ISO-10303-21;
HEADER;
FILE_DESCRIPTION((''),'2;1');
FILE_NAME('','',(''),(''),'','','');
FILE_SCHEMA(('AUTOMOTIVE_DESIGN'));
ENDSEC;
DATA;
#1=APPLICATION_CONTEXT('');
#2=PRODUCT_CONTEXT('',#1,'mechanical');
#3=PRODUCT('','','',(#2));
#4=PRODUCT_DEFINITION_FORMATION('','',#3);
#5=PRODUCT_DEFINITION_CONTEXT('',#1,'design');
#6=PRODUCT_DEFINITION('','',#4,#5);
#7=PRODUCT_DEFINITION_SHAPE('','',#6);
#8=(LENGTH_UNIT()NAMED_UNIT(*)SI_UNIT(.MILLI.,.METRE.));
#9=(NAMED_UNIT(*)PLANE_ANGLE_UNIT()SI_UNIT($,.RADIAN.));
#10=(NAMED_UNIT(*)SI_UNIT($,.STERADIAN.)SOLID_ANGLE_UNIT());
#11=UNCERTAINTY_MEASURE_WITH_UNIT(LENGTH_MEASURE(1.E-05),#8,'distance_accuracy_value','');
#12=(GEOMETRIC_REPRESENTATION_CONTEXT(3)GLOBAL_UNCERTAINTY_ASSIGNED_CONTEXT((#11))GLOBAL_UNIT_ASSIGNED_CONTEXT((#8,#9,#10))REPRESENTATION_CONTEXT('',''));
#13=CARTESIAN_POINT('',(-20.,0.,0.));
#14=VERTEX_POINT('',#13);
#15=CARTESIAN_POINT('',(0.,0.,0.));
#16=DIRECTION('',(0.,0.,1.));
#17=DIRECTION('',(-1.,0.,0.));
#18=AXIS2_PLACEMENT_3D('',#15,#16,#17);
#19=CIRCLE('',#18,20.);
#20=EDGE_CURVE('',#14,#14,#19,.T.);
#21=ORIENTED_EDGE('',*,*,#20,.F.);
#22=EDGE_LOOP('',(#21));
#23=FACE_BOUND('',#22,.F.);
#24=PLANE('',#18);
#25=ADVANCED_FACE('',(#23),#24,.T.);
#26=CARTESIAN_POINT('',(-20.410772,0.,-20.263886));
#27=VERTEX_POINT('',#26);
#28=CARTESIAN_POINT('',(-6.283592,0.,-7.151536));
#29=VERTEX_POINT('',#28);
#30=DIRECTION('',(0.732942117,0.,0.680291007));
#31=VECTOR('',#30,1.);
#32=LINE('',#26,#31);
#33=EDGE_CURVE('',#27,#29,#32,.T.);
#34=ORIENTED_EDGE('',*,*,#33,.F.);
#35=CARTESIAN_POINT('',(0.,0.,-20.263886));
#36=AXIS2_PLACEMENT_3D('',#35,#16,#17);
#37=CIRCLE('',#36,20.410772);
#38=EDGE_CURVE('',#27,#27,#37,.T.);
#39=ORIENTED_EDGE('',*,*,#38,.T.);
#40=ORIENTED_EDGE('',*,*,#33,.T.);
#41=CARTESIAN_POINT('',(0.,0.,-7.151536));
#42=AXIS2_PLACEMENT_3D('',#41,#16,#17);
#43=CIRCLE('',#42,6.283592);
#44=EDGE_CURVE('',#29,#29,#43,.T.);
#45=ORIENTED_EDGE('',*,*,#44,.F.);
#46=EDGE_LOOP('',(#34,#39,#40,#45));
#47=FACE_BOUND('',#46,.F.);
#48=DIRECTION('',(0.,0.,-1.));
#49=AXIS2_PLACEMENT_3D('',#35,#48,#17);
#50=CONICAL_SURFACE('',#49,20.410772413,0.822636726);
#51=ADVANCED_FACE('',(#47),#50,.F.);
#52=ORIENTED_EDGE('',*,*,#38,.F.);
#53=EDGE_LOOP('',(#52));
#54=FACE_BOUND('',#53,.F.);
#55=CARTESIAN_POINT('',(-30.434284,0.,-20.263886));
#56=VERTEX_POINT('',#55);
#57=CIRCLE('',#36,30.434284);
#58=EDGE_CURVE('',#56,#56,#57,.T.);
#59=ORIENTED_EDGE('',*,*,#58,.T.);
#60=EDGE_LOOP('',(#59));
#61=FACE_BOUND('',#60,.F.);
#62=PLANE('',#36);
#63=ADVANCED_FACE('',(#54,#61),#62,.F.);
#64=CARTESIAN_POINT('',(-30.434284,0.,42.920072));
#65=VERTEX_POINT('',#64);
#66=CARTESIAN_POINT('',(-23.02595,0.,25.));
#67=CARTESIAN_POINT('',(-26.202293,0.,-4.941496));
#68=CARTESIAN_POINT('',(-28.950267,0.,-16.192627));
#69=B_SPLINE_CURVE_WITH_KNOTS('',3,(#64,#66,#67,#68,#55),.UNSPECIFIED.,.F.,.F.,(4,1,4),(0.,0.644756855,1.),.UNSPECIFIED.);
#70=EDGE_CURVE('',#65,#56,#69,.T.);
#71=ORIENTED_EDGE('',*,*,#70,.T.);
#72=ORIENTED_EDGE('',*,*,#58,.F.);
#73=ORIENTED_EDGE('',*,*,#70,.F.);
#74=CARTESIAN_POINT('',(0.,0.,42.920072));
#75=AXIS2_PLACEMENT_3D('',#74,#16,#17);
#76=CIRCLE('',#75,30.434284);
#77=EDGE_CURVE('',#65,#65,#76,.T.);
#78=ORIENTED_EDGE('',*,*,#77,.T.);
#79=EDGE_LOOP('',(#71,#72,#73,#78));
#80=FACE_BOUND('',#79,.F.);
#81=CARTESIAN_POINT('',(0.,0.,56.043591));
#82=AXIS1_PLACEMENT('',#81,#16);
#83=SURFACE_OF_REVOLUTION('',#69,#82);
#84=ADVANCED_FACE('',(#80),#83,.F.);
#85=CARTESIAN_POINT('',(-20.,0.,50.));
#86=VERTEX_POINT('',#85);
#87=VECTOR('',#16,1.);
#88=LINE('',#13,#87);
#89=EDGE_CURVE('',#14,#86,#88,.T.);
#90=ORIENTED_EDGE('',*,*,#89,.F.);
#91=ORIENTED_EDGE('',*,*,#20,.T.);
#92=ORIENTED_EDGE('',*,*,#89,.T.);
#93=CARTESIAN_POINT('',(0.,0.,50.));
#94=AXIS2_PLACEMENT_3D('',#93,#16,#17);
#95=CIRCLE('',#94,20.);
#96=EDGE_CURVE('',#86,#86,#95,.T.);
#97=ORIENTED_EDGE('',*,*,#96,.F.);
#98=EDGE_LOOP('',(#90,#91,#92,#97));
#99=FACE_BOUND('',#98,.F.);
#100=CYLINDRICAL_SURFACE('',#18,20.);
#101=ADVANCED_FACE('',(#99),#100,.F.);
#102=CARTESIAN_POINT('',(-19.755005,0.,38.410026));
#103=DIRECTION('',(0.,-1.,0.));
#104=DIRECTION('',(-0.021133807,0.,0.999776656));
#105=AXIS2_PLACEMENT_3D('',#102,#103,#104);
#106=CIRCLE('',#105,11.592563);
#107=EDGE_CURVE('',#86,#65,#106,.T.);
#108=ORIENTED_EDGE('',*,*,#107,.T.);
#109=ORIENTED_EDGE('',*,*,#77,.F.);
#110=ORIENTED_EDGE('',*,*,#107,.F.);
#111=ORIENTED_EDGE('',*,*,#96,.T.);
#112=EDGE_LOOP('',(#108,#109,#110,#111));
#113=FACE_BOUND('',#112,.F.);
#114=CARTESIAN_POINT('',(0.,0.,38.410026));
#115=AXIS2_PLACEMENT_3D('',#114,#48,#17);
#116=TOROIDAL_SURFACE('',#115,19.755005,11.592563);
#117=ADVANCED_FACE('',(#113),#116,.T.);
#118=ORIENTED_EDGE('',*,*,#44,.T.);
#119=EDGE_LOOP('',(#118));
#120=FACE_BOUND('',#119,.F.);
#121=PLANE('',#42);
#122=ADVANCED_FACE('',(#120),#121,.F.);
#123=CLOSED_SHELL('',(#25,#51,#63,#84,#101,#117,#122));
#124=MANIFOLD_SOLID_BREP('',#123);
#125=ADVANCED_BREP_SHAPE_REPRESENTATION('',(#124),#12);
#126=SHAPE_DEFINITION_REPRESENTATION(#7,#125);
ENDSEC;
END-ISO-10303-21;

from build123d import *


with BuildPart() as f1:
    # F0 (on Front) → F1 (revolve)
    with BuildSketch(Plane.XZ):
        with BuildLine():
            Line((0, -7.1515361778), (0, 0))
            Line((0, 0), (-20, 0))
            Line((-20, 0), (-20, 50))
            ThreePointArc((-20, 50), (-26.2639441628, 48.0027957129), (-30.4342843592, 42.9200716317))
            add(Edge.make_bspline(
                [(-30.4342843592, 42.9200716317), (-23.0259504169, 25), (-26.2022933276, -4.9414957363), (-28.9502672666, -16.1926268841), (-30.4342843592, -20.2638860792)],
                knots=[0, 0, 0, 0, 0.6447568554, 1, 1, 1, 1], degree=3))
            Line((-30.4342843592, -20.2638860792), (-20.410772413, -20.2638860792))
            Line((-20.410772413, -20.2638860792), (-6.2835924327, -7.1515361778))
            Line((-6.2835924327, -7.1515361778), (0, -7.1515361778))
        make_face()
    revolve(axis=Axis((0, 0, 56.0435913503), (0, 0, 1)))


solid = f1.part
